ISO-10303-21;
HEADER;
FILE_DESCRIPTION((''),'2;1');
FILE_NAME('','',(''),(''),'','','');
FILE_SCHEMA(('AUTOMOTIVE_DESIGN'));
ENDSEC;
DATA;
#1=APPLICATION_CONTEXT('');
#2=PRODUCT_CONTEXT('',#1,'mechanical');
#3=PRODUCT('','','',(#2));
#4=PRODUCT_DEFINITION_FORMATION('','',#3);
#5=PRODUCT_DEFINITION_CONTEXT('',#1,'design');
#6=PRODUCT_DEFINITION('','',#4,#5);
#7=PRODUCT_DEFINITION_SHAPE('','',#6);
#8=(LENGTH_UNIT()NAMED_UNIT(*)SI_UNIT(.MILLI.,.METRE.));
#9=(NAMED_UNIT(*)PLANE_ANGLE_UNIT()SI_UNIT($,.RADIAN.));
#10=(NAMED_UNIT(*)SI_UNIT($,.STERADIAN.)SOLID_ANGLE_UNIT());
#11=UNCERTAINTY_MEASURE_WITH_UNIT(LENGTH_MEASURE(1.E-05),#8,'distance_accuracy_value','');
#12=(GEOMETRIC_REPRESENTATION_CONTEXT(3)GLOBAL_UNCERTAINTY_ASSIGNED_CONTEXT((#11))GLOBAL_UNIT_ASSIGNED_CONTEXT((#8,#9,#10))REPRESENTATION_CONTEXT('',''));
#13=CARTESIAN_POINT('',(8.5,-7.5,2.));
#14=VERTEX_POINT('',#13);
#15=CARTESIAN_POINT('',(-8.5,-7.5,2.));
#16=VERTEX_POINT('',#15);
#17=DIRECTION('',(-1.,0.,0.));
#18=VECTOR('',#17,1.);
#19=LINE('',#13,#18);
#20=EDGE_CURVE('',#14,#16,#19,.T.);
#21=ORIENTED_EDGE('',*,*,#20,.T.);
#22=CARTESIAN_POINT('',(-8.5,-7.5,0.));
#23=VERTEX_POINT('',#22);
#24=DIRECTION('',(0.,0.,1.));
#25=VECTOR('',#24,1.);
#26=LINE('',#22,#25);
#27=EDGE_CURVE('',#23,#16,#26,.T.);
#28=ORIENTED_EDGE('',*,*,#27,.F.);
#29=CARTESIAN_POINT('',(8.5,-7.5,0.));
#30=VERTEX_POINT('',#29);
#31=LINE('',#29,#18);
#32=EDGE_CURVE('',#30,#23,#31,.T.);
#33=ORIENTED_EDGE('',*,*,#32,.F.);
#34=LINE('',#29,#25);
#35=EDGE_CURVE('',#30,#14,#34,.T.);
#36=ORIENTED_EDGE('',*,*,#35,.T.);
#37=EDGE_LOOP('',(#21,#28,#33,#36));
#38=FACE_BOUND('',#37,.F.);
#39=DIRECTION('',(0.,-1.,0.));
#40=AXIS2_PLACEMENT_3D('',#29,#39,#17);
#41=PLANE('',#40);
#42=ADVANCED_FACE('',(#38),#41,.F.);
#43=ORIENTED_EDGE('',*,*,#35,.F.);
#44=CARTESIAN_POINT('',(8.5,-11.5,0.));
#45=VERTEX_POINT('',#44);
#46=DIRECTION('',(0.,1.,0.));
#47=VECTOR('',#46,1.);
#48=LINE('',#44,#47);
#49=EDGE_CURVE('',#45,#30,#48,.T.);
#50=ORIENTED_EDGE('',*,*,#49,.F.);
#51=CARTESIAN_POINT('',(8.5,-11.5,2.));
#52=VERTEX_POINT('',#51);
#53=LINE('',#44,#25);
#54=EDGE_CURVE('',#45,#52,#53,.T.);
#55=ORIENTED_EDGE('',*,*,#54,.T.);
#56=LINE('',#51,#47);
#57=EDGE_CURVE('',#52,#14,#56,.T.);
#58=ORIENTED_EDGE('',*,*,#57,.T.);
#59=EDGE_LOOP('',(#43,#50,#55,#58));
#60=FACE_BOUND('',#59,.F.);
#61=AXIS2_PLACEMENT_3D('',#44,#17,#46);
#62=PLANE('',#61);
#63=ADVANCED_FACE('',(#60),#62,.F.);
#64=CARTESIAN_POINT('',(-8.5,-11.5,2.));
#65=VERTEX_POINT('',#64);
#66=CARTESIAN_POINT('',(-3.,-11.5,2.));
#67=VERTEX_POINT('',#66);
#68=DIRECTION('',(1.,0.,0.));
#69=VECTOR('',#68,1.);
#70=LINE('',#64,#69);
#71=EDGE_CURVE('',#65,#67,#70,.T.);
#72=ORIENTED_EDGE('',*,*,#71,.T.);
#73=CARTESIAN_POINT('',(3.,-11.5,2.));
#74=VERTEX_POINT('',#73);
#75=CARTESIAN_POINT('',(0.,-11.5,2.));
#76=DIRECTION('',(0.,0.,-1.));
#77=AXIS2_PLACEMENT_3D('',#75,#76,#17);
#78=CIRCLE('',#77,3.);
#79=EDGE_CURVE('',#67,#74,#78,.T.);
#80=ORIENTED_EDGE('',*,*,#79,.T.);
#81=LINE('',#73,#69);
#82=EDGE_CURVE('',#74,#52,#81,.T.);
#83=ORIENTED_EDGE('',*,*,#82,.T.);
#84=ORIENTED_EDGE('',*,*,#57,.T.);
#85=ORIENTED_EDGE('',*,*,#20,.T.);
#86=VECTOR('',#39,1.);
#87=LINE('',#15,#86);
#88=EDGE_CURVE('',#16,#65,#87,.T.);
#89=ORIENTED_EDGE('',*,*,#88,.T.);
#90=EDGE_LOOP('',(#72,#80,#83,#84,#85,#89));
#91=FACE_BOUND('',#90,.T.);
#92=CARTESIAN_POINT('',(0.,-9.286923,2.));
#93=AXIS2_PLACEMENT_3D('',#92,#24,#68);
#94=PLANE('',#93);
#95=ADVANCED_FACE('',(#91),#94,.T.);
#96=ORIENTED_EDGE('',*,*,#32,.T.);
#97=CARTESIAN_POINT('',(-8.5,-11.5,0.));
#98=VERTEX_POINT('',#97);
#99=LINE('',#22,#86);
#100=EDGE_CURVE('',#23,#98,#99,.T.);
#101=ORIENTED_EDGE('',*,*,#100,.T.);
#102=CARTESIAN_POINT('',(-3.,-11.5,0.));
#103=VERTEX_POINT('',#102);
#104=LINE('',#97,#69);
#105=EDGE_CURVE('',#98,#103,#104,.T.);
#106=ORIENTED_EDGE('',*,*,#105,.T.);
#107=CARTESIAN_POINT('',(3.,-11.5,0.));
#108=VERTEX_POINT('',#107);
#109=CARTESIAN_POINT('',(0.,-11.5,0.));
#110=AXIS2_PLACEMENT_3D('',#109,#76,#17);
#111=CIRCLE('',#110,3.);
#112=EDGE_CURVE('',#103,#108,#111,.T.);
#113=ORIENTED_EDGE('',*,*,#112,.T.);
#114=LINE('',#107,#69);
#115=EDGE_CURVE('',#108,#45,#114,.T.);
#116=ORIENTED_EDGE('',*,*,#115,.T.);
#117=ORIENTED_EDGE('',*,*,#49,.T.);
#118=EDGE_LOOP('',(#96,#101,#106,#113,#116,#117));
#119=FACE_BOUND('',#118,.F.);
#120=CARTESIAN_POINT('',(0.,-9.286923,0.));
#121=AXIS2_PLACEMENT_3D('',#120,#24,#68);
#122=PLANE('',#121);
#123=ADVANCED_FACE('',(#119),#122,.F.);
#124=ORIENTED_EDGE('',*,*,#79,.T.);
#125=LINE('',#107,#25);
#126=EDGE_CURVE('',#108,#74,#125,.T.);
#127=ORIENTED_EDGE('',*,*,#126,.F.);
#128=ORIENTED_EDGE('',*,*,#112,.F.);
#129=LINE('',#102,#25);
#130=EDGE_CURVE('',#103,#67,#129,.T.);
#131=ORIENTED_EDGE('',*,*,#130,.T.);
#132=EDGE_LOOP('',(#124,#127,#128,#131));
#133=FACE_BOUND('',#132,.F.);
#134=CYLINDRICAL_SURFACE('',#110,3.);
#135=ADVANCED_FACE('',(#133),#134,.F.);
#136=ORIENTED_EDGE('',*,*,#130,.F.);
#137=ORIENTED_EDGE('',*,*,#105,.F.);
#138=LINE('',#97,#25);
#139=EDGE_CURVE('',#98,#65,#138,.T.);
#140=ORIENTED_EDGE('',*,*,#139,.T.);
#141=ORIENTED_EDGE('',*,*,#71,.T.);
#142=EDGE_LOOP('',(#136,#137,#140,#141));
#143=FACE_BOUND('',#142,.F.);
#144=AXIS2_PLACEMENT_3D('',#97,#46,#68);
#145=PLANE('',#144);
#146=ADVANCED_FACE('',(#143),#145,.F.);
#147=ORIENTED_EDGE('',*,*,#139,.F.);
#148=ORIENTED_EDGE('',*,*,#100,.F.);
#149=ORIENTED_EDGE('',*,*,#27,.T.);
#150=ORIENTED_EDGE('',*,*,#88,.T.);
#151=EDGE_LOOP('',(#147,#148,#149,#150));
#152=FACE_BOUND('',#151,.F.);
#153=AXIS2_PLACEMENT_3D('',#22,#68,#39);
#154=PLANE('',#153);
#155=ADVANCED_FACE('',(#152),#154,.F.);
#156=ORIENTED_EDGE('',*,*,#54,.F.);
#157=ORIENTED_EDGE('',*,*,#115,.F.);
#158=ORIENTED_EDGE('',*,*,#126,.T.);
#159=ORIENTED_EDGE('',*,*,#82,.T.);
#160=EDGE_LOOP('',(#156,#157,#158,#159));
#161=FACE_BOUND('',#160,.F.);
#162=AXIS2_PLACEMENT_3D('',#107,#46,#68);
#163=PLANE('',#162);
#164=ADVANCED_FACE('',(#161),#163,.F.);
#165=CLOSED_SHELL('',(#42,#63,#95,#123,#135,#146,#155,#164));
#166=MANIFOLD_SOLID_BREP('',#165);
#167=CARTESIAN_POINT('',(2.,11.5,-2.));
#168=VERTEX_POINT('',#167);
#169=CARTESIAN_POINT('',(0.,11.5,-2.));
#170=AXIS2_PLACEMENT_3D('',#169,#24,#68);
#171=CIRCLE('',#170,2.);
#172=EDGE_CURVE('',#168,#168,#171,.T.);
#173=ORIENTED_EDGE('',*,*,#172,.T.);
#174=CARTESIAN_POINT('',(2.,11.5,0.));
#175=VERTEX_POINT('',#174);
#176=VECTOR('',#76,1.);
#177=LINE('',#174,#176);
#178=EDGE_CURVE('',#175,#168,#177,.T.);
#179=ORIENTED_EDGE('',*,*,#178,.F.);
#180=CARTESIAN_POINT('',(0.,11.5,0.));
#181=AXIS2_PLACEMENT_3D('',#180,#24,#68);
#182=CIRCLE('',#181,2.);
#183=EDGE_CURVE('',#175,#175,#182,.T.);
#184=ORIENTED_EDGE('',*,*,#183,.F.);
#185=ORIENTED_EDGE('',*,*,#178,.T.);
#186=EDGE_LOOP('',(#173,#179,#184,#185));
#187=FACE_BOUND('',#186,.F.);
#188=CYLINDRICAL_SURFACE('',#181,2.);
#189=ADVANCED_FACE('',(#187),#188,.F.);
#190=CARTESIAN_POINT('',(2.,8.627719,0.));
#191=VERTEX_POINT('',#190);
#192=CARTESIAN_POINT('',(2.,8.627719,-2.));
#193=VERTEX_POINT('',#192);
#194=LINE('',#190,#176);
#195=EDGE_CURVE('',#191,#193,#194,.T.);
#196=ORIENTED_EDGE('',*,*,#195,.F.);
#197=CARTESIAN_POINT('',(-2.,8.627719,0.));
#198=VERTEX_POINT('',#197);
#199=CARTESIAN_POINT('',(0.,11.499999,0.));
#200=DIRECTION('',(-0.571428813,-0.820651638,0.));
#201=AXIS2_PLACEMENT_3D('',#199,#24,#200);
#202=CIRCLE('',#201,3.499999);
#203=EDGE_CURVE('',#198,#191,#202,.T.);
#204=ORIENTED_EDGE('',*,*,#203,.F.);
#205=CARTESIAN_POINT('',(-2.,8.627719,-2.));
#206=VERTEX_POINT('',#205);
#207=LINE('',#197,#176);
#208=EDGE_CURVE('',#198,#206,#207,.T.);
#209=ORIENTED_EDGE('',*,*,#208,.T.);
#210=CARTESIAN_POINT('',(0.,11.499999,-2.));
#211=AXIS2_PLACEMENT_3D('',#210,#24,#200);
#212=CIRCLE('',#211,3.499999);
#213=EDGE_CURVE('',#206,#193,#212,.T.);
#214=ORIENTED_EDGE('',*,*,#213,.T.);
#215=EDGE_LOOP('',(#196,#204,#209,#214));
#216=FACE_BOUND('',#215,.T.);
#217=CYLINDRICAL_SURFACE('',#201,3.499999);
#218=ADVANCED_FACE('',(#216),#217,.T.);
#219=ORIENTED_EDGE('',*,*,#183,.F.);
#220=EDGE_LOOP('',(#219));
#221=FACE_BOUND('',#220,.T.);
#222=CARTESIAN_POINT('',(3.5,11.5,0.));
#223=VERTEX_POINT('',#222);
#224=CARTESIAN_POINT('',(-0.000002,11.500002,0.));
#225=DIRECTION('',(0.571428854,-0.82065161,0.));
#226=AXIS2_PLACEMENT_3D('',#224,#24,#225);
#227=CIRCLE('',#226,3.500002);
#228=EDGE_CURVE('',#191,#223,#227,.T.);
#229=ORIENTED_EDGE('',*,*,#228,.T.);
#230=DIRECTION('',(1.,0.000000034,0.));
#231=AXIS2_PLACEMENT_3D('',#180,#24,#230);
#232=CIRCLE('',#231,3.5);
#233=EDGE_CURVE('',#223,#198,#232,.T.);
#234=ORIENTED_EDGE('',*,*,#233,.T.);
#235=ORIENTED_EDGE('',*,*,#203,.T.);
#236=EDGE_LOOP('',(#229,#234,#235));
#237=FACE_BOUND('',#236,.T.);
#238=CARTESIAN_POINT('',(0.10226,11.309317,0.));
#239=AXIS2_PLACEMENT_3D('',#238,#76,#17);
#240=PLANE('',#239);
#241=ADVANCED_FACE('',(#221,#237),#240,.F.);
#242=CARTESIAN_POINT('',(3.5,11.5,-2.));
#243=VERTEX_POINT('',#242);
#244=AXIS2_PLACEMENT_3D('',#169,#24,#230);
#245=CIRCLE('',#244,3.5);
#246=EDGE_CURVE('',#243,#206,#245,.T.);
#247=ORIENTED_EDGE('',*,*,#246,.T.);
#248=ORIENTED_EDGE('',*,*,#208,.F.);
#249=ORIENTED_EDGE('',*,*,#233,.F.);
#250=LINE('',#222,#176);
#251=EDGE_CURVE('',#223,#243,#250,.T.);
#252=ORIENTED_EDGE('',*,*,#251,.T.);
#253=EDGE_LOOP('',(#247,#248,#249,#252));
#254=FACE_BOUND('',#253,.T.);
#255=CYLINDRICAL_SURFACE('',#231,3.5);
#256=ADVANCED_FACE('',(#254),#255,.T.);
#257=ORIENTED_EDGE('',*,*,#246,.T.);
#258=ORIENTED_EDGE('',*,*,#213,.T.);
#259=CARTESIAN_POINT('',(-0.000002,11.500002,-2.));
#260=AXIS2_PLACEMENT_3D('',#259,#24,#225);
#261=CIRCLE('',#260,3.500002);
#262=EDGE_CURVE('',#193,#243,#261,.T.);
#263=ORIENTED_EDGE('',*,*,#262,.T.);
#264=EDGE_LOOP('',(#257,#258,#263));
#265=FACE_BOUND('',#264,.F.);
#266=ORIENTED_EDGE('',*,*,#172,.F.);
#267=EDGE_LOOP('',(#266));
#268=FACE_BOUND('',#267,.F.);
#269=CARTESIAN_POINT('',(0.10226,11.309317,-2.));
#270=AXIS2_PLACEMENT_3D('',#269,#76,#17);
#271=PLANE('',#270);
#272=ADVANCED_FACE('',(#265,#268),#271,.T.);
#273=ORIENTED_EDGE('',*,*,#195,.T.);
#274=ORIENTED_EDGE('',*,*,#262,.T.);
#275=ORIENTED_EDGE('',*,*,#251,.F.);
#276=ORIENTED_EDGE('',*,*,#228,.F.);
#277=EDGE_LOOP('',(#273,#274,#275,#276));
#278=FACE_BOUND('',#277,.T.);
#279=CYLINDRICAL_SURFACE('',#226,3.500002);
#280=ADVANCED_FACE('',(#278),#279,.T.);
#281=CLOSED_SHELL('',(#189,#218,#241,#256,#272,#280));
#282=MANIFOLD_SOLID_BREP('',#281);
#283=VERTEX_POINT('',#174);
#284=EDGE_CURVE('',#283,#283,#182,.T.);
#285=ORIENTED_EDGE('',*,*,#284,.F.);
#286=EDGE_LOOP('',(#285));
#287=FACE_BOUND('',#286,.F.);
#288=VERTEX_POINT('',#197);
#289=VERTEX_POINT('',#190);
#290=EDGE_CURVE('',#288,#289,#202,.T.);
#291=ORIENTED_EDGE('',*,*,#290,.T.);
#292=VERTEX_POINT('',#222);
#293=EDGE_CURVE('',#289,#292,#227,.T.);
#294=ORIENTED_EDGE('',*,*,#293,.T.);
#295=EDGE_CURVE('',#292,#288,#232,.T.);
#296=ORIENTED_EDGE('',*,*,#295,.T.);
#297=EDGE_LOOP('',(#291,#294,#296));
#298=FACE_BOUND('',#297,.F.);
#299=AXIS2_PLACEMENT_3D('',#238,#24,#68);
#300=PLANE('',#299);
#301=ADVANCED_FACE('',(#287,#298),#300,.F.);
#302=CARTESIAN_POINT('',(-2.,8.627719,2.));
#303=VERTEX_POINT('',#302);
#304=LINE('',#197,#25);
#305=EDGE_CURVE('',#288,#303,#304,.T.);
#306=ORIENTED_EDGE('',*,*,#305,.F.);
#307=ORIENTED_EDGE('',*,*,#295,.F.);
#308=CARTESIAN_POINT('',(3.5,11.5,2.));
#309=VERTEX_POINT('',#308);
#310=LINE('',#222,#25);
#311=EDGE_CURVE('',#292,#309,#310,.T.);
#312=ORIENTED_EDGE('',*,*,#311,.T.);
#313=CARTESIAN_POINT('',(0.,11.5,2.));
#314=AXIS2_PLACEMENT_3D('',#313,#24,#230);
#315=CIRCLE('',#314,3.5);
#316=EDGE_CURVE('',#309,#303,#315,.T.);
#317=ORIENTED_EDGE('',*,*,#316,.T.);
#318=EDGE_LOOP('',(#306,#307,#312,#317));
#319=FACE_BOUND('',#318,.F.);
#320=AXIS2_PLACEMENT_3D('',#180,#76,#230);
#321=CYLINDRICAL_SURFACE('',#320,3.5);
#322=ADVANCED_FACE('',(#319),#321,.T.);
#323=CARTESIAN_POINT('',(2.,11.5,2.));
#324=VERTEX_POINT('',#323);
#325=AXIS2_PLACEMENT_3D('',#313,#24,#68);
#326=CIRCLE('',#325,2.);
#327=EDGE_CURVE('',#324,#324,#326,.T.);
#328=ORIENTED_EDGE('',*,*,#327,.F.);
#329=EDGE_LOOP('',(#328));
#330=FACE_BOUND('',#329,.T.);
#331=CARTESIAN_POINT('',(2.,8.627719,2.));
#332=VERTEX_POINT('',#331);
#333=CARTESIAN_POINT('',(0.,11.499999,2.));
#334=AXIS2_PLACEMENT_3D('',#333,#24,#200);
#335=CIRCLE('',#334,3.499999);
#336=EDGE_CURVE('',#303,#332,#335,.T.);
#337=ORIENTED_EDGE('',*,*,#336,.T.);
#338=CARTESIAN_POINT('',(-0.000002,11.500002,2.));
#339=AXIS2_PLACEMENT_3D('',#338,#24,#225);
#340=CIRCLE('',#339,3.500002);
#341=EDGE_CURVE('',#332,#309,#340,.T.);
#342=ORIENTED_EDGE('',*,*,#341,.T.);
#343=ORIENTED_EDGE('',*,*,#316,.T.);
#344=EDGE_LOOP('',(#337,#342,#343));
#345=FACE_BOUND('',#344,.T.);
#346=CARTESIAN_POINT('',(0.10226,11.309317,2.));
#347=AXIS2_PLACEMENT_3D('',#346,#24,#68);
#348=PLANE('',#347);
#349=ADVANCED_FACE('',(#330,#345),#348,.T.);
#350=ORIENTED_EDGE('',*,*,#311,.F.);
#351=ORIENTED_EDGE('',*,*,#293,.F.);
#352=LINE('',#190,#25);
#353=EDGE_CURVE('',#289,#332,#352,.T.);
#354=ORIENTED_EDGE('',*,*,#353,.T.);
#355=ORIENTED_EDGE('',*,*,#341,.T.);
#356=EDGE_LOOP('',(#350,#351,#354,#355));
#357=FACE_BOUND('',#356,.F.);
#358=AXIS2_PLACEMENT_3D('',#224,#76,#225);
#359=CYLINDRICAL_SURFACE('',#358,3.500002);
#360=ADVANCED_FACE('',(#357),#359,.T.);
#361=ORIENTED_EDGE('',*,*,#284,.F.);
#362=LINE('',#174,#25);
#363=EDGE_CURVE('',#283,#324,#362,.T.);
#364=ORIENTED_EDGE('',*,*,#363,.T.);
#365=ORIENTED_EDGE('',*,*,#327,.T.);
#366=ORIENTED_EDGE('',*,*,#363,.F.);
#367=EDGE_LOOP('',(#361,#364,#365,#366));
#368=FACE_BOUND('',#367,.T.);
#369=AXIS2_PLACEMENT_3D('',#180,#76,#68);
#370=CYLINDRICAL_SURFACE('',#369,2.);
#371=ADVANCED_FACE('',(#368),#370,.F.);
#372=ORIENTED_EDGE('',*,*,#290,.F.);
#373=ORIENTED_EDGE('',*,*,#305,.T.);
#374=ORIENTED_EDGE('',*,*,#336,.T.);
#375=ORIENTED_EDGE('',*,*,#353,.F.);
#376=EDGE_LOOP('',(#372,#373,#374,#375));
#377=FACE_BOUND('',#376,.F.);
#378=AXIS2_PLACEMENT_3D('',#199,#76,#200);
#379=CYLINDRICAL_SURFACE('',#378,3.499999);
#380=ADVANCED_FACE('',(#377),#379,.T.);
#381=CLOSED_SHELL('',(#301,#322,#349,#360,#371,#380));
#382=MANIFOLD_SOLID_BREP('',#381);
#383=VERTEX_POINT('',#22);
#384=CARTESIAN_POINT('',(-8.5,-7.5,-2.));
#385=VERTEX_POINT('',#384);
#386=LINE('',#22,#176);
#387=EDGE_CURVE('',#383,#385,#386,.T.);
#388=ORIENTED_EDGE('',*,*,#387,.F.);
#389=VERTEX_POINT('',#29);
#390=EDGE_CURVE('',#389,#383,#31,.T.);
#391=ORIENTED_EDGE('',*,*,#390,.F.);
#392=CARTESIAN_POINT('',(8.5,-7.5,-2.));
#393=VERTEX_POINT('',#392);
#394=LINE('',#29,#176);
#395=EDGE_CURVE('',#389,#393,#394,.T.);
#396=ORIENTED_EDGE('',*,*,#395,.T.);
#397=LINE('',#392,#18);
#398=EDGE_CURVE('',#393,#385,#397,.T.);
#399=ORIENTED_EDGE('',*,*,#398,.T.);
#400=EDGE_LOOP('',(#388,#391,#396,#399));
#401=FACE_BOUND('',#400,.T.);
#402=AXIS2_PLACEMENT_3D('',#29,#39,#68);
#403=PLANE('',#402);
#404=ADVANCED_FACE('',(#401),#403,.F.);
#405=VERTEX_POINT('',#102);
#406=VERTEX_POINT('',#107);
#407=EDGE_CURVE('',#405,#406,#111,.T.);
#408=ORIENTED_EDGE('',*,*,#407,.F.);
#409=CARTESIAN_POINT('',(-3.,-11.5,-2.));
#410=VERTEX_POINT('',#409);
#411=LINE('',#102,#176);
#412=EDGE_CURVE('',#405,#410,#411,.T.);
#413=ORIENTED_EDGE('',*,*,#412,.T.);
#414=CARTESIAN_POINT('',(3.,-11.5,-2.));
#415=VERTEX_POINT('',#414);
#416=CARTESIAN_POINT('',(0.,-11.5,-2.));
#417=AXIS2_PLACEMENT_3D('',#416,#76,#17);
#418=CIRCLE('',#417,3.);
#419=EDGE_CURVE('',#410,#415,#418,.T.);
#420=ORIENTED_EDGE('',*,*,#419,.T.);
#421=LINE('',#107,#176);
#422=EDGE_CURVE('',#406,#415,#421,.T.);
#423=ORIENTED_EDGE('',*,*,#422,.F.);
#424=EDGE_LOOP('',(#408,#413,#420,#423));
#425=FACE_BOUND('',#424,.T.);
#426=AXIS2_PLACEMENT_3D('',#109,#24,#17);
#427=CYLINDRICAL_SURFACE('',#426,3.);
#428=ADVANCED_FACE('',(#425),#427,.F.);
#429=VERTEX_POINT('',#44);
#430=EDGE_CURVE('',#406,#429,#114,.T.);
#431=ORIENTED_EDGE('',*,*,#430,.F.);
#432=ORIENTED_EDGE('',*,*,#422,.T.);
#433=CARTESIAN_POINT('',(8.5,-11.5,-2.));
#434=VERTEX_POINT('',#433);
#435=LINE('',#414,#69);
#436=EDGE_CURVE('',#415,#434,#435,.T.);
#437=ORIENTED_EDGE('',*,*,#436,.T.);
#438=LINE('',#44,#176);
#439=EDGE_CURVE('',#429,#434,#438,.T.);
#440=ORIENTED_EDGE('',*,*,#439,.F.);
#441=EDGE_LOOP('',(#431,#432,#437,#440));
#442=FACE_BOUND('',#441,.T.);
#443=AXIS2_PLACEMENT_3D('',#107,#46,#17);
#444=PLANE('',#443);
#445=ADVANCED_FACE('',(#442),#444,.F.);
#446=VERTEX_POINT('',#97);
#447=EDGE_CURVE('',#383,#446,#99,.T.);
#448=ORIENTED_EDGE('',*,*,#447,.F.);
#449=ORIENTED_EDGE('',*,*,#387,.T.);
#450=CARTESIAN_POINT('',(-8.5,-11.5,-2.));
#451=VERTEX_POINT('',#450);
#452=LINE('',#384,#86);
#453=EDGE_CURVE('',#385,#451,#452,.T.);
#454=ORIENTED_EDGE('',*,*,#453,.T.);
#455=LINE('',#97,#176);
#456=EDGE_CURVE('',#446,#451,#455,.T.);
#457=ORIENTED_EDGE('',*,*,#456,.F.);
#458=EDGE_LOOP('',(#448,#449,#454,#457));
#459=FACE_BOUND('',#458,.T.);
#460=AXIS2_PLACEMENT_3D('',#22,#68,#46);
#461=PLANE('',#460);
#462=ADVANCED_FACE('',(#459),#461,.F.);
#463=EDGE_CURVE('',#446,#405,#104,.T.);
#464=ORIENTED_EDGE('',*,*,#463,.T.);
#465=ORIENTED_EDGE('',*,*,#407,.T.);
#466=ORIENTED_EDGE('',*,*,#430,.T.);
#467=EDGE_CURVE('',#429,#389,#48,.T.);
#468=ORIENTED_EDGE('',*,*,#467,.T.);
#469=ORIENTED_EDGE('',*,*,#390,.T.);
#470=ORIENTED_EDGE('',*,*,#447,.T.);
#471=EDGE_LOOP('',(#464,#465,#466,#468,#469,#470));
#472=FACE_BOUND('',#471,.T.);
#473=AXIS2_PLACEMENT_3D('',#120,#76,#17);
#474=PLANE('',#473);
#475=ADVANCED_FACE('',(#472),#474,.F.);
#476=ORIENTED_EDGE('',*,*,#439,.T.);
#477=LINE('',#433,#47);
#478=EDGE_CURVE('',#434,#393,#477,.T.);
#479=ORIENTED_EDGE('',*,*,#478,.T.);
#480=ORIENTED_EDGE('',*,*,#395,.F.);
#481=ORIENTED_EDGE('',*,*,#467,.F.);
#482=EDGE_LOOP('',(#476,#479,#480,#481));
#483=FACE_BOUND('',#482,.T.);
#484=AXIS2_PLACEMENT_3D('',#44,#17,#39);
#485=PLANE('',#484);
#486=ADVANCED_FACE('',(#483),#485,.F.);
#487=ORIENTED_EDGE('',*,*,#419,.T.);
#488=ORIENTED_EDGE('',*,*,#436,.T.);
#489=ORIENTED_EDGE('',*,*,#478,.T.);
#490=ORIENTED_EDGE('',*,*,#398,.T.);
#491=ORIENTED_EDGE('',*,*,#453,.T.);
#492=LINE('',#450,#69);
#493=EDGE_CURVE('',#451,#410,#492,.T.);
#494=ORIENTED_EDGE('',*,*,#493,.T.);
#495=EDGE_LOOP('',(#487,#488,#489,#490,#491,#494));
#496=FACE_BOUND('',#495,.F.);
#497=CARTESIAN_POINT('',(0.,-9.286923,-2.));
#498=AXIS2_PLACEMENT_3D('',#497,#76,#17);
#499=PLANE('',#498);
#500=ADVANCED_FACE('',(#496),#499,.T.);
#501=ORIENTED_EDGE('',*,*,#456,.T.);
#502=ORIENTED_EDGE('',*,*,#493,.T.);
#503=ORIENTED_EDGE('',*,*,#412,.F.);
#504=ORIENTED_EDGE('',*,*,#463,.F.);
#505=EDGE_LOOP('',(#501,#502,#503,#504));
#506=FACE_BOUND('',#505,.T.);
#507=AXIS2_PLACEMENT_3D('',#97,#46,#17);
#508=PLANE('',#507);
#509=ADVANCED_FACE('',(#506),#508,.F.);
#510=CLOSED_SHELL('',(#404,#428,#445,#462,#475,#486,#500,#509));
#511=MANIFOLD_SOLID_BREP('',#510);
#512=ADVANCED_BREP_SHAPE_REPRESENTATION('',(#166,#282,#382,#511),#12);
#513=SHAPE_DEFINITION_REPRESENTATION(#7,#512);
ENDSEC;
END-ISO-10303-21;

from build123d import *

# Parameters (mm, degrees)
F0_R     = 2
F2_DEPTH = 2


with BuildPart() as f2:
    # F0 (on Top) → F2 (new body)
    with BuildSketch(Plane.XY):
        with BuildLine():
            ThreePointArc((-2, 8.627719), (0, 8), (2, 8.627719))
            ThreePointArc((2, 8.627719), (3.102418, 9.879815), (3.5, 11.5))
            ThreePointArc((3.5, 11.5), (-1.620185, 14.602418), (-2, 8.627719))
        make_face()
        with Locations((0, 11.5)):
            Circle(F0_R, mode=Mode.SUBTRACT)
        with BuildLine():
            ThreePointArc((-3, -11.5), (0, -8.5), (3, -11.5))
            Line((3, -11.5), (4.5, -11.5))
            Line((4.5, -11.5), (8.5, -11.5))
            Line((8.5, -11.5), (8.5, -7.5))
            Line((8.5, -7.5), (-8.5, -7.5))
            Line((-8.5, -7.5), (-8.5, -11.5))
            Line((-8.5, -11.5), (-4.5, -11.5))
            Line((-4.5, -11.5), (-3, -11.5))
        make_face()
    extrude(amount=F2_DEPTH)


with BuildPart() as f5_1:
    # F5: instance of F2
    add(f2.part.mirror(Plane.XY))


solid = Compound([f2.part, f5_1.part])
